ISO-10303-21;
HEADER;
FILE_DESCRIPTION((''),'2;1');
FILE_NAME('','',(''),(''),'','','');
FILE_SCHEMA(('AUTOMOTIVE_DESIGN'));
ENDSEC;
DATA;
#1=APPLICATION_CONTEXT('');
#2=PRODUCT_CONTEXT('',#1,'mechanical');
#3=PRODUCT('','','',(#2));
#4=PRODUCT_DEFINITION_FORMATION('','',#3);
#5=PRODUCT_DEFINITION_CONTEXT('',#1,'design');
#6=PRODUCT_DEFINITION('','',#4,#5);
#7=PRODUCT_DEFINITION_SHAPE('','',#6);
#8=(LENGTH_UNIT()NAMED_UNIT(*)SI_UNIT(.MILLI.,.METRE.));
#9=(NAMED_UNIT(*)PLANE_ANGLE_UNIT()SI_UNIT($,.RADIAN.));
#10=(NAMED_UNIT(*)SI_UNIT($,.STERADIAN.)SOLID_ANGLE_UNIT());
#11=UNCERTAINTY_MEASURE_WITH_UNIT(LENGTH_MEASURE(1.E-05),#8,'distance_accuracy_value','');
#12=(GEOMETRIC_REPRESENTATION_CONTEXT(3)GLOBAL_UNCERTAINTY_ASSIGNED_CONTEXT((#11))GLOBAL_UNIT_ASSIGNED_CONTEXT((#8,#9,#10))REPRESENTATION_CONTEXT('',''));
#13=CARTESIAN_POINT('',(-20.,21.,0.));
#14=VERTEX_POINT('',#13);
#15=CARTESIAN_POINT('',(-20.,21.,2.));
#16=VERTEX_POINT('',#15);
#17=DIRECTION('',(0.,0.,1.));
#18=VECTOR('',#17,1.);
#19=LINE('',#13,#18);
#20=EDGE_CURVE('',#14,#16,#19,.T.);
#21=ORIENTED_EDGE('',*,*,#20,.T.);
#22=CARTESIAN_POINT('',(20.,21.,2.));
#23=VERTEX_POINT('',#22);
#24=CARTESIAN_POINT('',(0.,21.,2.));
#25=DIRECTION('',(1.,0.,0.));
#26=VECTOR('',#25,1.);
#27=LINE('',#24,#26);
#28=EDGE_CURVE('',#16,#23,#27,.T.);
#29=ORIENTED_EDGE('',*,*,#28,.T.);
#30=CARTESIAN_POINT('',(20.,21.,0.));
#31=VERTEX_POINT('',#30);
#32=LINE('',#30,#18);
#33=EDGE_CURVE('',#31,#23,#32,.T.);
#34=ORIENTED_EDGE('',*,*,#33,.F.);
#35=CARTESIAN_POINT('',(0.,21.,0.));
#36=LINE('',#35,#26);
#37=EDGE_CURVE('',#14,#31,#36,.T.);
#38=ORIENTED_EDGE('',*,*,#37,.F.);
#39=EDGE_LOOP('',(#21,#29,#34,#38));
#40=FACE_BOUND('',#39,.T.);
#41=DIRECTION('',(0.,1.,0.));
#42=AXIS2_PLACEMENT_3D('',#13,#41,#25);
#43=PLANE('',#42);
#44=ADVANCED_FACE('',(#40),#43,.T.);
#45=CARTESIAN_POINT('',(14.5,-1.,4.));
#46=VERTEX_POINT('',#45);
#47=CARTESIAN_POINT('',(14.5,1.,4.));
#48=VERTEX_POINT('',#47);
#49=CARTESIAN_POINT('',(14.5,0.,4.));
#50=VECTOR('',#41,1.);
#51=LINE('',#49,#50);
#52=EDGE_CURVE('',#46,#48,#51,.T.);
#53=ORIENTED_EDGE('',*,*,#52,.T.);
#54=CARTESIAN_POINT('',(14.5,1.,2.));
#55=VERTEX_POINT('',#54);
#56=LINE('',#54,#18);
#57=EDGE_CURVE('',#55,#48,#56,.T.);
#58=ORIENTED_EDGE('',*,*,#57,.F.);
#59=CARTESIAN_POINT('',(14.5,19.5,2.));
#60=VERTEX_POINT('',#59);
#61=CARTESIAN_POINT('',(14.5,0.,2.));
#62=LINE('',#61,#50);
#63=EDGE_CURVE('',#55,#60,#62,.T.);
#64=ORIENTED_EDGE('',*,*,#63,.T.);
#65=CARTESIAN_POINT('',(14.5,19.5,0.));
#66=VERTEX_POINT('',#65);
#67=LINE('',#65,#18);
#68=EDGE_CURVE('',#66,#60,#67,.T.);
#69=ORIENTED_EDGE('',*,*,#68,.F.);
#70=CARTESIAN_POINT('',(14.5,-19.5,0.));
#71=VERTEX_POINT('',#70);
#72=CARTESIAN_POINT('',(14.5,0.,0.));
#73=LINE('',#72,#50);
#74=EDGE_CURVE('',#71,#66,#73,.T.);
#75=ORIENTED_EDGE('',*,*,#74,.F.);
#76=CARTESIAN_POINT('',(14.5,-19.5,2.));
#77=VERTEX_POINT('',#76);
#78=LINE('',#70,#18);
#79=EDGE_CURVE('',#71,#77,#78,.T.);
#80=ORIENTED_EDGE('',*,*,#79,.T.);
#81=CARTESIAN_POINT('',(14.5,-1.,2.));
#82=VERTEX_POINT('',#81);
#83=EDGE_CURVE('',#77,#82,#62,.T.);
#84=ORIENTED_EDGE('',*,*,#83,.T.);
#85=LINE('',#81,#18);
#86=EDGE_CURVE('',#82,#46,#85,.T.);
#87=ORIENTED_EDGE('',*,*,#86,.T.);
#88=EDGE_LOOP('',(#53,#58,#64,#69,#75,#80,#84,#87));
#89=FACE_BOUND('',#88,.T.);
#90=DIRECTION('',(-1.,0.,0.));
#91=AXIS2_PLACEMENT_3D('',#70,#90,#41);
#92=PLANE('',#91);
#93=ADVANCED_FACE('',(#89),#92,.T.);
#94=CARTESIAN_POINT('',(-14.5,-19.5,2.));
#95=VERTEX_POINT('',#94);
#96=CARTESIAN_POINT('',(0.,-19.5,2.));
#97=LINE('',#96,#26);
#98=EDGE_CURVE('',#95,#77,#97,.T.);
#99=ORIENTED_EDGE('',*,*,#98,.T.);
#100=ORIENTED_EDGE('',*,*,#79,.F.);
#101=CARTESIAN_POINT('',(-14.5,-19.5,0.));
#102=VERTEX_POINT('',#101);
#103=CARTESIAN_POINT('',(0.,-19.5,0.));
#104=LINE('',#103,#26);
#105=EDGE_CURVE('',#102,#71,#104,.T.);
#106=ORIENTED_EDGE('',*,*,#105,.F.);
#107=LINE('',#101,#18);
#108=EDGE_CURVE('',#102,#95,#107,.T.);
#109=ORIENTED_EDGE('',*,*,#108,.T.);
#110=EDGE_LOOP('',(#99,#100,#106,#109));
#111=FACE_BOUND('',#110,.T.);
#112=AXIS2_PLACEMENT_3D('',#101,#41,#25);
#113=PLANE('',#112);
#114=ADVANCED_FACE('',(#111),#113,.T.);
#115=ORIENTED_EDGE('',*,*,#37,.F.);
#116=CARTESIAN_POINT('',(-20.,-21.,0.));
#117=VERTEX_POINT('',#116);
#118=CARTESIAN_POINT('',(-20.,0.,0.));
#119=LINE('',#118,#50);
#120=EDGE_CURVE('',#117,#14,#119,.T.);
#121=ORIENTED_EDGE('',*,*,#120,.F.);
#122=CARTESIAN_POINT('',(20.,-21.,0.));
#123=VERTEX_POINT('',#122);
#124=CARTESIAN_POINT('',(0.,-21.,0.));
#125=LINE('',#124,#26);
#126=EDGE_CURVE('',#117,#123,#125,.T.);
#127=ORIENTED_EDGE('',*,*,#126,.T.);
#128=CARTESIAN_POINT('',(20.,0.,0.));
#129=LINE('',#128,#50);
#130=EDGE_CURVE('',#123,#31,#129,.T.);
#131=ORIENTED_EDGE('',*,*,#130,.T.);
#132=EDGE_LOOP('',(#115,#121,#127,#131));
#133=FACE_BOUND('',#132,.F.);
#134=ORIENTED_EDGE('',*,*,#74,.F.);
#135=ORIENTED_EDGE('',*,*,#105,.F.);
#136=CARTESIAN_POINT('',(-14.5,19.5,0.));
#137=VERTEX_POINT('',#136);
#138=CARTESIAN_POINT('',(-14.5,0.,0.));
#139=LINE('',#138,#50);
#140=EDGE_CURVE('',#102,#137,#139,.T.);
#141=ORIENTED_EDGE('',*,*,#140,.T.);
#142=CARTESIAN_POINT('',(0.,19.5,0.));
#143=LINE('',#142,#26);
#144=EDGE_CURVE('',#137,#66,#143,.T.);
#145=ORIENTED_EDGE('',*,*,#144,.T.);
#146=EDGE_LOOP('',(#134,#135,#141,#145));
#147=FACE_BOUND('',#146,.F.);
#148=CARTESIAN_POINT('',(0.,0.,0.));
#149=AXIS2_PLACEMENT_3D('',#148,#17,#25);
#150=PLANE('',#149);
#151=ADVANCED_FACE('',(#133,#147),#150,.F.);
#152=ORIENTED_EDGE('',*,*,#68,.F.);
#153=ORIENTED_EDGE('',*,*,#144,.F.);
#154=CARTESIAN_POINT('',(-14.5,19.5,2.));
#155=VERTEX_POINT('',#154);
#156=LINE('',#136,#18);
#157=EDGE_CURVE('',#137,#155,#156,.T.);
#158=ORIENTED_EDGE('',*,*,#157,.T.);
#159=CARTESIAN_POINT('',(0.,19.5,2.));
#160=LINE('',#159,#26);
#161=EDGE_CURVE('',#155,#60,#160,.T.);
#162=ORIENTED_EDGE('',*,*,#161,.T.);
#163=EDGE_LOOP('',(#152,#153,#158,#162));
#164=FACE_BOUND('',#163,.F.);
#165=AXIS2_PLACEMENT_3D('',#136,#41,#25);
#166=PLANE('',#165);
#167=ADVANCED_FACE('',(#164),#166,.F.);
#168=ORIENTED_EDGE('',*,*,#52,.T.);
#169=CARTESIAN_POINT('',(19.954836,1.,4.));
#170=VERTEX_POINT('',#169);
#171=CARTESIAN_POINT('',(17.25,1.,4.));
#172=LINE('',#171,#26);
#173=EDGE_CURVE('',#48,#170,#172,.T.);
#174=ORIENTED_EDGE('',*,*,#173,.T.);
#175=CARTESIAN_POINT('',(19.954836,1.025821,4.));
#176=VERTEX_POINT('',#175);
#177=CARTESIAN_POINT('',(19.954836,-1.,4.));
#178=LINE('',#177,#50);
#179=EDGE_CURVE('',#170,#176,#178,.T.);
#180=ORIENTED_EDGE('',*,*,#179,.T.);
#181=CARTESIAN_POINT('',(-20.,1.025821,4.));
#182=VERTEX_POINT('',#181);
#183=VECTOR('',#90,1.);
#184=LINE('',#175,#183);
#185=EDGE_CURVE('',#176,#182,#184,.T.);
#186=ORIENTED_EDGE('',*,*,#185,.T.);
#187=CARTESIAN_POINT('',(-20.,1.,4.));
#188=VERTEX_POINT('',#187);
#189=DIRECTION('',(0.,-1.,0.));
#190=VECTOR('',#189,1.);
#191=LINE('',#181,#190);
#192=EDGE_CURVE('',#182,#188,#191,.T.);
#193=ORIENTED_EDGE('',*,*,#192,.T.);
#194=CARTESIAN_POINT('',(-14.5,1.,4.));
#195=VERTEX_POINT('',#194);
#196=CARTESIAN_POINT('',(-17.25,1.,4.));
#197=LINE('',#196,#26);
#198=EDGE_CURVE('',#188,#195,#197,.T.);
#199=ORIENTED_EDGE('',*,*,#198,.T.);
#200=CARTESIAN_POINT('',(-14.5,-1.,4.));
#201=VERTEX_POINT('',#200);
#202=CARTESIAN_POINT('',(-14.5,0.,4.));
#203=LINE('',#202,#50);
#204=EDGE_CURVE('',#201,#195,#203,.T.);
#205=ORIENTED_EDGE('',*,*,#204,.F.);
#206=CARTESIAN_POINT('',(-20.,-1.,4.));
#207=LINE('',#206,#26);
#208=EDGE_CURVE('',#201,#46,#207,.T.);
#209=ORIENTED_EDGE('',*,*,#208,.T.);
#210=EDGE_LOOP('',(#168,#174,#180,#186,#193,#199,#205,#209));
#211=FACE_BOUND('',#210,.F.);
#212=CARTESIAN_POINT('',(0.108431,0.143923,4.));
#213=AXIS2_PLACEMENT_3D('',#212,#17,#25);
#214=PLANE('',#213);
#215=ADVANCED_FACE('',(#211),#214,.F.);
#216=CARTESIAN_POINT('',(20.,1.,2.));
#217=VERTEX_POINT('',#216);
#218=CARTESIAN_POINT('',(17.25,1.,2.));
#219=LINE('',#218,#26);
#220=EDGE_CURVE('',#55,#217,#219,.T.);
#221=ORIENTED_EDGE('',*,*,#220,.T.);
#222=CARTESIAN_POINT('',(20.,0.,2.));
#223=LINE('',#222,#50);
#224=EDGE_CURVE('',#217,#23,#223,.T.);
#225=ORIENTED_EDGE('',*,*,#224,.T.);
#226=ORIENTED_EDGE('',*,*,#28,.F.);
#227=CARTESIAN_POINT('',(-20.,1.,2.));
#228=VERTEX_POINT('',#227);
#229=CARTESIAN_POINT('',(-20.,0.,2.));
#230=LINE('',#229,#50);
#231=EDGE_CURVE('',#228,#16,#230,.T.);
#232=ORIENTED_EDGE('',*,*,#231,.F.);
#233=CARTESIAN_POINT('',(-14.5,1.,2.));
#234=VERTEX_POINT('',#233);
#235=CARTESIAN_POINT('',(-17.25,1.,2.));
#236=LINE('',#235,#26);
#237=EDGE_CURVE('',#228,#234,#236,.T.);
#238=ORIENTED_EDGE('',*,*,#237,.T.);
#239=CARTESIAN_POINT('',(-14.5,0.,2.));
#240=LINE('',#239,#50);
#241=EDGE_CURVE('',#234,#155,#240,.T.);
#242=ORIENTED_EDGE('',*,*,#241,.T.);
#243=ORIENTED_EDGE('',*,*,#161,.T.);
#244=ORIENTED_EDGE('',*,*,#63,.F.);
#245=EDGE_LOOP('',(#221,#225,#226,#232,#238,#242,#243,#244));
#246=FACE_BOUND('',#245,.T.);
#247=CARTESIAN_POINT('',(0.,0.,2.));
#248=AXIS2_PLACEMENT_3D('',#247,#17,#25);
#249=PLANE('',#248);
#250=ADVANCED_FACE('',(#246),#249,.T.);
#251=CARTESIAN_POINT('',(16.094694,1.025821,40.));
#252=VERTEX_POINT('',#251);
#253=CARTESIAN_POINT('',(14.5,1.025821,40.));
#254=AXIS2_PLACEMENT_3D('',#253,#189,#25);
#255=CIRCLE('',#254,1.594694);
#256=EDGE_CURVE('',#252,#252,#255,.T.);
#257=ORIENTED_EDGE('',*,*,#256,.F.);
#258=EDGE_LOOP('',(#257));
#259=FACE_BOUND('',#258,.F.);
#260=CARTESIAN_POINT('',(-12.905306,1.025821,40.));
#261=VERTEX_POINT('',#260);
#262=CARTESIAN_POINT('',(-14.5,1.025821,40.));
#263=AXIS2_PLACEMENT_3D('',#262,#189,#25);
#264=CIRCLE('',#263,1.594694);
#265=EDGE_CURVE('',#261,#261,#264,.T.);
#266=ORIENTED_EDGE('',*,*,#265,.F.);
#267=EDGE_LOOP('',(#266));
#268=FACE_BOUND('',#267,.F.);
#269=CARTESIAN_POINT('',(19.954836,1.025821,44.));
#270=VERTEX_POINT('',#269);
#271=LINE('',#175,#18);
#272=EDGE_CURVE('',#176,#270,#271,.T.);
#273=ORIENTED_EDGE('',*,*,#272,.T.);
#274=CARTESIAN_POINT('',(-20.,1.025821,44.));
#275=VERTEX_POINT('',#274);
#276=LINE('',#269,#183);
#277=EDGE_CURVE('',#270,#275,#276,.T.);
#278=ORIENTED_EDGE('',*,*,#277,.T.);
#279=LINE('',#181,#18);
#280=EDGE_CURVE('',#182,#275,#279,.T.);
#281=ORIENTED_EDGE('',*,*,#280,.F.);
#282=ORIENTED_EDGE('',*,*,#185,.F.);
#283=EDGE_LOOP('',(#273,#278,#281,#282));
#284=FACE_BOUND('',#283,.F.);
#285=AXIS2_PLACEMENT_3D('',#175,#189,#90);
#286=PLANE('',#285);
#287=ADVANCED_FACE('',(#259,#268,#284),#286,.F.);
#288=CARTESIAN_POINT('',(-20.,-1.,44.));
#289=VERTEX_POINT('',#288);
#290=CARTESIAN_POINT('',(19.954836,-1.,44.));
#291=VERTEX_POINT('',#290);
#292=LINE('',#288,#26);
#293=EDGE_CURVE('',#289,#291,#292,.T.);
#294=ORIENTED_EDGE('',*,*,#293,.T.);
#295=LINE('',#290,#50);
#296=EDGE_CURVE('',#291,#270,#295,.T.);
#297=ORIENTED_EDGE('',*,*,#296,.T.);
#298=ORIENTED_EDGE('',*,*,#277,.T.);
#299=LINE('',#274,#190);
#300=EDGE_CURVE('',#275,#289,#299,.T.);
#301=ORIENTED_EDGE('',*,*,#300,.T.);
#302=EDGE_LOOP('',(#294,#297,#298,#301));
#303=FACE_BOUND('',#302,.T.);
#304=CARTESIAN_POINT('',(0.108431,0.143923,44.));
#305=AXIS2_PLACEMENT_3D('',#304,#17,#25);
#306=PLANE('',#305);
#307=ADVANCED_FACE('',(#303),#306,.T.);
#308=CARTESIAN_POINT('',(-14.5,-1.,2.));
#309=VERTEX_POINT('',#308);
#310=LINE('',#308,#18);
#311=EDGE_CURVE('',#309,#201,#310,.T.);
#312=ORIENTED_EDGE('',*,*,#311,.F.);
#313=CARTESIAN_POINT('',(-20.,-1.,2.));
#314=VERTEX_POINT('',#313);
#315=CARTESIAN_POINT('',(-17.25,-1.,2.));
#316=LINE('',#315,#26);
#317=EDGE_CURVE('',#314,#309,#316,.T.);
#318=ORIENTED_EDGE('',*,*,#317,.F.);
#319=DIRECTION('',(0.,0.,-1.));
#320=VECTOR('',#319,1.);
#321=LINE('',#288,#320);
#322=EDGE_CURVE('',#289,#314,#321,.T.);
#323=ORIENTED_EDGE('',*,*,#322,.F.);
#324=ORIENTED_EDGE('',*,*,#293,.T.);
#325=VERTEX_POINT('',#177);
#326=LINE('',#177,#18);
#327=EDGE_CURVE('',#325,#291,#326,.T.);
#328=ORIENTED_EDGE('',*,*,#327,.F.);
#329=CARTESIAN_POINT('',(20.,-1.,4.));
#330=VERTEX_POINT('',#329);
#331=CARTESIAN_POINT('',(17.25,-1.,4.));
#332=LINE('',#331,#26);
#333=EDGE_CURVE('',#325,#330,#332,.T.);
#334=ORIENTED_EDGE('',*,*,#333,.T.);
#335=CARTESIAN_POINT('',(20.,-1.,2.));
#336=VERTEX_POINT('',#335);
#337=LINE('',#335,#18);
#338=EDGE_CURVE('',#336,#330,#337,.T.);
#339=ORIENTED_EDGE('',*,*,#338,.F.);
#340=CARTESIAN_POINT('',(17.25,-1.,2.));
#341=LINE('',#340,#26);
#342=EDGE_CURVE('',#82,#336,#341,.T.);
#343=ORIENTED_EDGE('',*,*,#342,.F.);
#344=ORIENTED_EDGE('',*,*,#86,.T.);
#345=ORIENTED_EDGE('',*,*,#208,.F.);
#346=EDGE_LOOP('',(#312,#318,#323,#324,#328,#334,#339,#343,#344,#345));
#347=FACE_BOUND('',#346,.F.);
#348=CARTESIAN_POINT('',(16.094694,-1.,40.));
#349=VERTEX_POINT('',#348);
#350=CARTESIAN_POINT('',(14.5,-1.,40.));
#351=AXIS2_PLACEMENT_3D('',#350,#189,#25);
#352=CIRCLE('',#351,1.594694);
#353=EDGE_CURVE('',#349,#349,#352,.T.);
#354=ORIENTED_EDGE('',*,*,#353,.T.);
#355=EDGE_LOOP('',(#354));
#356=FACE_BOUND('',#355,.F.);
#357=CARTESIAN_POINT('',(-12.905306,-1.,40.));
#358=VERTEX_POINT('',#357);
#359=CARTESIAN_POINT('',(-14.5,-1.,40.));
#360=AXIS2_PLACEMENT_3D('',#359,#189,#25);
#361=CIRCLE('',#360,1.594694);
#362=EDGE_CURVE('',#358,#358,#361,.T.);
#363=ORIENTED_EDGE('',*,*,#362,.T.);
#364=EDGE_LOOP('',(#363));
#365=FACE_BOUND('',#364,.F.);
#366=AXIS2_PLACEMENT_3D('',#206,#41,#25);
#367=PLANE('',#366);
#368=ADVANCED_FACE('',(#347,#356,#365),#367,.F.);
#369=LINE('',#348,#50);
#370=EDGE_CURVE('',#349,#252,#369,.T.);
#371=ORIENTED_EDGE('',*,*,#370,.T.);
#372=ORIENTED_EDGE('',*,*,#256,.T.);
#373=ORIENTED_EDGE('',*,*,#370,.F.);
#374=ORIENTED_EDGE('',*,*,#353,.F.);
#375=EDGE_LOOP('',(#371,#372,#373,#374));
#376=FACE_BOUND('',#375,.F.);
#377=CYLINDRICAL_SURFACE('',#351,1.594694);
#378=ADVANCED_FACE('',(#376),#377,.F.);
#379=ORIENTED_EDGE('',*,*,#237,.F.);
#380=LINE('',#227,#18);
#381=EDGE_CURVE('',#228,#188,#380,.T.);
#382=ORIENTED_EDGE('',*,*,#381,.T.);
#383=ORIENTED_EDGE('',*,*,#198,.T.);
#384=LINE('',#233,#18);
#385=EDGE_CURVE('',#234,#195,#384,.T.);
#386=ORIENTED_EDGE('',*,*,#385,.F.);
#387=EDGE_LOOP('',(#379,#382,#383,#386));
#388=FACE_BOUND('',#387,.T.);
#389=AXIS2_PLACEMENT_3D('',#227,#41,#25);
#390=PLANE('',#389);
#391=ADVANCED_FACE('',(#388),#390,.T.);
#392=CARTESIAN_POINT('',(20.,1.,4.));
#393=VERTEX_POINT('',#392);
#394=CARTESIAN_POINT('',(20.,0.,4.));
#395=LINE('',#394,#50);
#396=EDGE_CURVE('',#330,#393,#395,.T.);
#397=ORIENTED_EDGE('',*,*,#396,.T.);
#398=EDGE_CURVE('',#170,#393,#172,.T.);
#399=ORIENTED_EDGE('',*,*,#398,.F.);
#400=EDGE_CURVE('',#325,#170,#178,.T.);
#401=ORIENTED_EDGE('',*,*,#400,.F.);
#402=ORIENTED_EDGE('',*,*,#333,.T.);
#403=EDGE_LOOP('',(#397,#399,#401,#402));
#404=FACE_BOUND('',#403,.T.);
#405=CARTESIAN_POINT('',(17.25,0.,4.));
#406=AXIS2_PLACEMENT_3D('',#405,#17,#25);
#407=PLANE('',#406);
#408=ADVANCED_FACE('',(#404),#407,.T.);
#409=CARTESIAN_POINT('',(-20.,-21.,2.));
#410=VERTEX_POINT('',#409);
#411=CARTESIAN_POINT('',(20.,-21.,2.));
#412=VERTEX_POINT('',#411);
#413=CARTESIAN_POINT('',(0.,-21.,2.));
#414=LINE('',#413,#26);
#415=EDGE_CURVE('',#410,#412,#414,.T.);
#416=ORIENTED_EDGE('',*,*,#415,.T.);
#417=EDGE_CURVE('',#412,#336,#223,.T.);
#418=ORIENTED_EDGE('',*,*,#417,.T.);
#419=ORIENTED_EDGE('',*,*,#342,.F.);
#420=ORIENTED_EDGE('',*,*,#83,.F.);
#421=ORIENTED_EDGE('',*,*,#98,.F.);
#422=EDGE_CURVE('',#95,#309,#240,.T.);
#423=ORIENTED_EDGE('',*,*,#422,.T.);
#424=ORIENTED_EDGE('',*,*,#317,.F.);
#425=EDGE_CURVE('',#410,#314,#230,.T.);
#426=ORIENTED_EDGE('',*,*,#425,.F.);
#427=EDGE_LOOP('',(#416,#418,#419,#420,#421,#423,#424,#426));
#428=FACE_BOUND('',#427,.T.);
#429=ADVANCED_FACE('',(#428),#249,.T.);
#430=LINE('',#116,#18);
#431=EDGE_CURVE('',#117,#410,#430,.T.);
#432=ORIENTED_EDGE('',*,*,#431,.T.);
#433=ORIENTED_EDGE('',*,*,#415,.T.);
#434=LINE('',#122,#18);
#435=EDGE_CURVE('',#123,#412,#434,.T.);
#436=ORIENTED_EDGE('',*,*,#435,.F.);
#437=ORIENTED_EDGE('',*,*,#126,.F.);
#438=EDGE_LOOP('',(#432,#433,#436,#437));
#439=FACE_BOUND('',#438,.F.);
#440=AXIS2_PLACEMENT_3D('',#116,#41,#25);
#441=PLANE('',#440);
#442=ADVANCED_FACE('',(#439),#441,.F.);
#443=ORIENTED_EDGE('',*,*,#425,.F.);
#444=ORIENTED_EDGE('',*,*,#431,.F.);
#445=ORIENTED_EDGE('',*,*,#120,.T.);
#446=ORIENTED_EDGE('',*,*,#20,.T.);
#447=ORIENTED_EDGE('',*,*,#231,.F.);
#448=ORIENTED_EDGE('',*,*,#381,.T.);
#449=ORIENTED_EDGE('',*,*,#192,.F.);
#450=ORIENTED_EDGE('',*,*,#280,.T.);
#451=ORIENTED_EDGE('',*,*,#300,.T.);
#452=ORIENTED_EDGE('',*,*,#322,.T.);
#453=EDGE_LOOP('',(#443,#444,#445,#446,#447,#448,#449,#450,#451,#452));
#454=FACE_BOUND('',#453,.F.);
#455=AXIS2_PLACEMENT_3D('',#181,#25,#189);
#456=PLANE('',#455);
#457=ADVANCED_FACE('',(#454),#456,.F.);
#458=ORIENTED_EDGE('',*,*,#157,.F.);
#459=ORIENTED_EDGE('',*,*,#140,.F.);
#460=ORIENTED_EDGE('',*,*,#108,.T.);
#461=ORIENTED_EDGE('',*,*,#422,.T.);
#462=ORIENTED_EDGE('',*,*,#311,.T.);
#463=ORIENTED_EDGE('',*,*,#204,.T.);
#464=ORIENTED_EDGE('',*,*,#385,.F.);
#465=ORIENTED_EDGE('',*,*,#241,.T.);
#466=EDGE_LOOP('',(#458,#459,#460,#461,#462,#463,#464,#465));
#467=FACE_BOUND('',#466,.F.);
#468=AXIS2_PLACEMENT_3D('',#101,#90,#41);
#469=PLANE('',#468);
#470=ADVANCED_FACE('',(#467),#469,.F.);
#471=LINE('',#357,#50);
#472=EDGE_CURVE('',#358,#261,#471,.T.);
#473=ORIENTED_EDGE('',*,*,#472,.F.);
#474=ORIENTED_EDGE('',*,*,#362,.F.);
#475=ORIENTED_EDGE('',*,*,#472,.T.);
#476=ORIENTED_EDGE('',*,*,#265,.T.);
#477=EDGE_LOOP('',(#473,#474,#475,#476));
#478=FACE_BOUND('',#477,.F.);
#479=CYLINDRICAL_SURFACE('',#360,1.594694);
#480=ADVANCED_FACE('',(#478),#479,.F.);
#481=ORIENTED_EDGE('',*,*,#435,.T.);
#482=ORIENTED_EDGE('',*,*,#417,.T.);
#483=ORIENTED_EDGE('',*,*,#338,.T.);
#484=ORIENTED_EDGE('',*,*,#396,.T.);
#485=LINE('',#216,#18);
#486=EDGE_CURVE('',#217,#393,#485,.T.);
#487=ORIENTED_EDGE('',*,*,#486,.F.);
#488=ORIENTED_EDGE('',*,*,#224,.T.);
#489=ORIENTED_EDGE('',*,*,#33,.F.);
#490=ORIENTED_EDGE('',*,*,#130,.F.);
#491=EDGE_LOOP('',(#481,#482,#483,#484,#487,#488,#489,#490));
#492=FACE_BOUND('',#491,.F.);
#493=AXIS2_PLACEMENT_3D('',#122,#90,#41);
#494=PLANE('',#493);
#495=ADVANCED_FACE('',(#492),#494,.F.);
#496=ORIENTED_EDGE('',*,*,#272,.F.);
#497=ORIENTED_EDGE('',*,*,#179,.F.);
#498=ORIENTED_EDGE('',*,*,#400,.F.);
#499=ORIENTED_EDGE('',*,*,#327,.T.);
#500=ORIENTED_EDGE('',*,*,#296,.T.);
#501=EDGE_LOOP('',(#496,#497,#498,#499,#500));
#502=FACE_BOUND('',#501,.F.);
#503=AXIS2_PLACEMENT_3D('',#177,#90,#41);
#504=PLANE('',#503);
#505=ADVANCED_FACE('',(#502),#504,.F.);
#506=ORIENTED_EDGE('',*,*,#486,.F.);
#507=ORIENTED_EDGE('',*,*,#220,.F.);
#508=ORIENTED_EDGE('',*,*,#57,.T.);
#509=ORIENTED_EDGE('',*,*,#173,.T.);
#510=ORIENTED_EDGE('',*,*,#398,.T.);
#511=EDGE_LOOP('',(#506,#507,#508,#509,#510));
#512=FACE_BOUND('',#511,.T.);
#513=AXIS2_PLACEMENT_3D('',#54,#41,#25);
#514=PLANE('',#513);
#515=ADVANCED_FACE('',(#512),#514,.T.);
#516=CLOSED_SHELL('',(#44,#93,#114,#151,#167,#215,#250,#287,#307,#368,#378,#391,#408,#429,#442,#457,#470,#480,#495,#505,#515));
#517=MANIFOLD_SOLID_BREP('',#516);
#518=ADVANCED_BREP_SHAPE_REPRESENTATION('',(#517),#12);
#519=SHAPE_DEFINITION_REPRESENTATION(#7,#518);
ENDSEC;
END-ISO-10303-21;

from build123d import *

# Parameters (mm, degrees)
F0_W     = 40
F0_H     = 42
F0_W_2   = 29
F0_H_2   = 39
F1_DEPTH = 2
F2_W     = 5.5
F2_H     = 2
F3_DEPTH = 2
F4_W     = 5.5
F4_H     = 2
F5_DEPTH = 40
F6_R     = 1.594694
F7_DEPTH = 3


with BuildPart() as f1:
    # F0 (on Top) → F1 (new body)
    with BuildSketch(Plane.XY):
        Rectangle(F0_W, F0_H)
        Rectangle(F0_W_2, F0_H_2, mode=Mode.SUBTRACT)
    extrude(amount=F1_DEPTH)

    # F2 (on face) → F3 (join)
    with BuildSketch(Plane.XY.offset(2)):
        with Locations((-17.25, 0)):
            Rectangle(F2_W, F2_H)
        with Locations((17.25, 0)):
            Rectangle(F2_W, F2_H)
    extrude(amount=F3_DEPTH)

    # F4 (on face) → F5 (join)
    with BuildSketch(Plane.XY.offset(4)):
        Polygon((-14.5, 1), (-14.5, -1), (19.954836, -1), (19.954836, 1.025821), (-20, 1.025821), (-20, 1), align=None)
        with Locations((-17.25, 0)):
            Rectangle(F4_W, F4_H)
    extrude(amount=F5_DEPTH)

    # F6 (on face) → F7 (cut)
    with BuildSketch(Plane.XZ.offset(1)):
        with Locations((-14.5, 40)):
            Circle(F6_R)
        with Locations((14.5, 40)):
            Circle(F6_R)
    extrude(amount=-F7_DEPTH, mode=Mode.SUBTRACT)


solid = f1.part
